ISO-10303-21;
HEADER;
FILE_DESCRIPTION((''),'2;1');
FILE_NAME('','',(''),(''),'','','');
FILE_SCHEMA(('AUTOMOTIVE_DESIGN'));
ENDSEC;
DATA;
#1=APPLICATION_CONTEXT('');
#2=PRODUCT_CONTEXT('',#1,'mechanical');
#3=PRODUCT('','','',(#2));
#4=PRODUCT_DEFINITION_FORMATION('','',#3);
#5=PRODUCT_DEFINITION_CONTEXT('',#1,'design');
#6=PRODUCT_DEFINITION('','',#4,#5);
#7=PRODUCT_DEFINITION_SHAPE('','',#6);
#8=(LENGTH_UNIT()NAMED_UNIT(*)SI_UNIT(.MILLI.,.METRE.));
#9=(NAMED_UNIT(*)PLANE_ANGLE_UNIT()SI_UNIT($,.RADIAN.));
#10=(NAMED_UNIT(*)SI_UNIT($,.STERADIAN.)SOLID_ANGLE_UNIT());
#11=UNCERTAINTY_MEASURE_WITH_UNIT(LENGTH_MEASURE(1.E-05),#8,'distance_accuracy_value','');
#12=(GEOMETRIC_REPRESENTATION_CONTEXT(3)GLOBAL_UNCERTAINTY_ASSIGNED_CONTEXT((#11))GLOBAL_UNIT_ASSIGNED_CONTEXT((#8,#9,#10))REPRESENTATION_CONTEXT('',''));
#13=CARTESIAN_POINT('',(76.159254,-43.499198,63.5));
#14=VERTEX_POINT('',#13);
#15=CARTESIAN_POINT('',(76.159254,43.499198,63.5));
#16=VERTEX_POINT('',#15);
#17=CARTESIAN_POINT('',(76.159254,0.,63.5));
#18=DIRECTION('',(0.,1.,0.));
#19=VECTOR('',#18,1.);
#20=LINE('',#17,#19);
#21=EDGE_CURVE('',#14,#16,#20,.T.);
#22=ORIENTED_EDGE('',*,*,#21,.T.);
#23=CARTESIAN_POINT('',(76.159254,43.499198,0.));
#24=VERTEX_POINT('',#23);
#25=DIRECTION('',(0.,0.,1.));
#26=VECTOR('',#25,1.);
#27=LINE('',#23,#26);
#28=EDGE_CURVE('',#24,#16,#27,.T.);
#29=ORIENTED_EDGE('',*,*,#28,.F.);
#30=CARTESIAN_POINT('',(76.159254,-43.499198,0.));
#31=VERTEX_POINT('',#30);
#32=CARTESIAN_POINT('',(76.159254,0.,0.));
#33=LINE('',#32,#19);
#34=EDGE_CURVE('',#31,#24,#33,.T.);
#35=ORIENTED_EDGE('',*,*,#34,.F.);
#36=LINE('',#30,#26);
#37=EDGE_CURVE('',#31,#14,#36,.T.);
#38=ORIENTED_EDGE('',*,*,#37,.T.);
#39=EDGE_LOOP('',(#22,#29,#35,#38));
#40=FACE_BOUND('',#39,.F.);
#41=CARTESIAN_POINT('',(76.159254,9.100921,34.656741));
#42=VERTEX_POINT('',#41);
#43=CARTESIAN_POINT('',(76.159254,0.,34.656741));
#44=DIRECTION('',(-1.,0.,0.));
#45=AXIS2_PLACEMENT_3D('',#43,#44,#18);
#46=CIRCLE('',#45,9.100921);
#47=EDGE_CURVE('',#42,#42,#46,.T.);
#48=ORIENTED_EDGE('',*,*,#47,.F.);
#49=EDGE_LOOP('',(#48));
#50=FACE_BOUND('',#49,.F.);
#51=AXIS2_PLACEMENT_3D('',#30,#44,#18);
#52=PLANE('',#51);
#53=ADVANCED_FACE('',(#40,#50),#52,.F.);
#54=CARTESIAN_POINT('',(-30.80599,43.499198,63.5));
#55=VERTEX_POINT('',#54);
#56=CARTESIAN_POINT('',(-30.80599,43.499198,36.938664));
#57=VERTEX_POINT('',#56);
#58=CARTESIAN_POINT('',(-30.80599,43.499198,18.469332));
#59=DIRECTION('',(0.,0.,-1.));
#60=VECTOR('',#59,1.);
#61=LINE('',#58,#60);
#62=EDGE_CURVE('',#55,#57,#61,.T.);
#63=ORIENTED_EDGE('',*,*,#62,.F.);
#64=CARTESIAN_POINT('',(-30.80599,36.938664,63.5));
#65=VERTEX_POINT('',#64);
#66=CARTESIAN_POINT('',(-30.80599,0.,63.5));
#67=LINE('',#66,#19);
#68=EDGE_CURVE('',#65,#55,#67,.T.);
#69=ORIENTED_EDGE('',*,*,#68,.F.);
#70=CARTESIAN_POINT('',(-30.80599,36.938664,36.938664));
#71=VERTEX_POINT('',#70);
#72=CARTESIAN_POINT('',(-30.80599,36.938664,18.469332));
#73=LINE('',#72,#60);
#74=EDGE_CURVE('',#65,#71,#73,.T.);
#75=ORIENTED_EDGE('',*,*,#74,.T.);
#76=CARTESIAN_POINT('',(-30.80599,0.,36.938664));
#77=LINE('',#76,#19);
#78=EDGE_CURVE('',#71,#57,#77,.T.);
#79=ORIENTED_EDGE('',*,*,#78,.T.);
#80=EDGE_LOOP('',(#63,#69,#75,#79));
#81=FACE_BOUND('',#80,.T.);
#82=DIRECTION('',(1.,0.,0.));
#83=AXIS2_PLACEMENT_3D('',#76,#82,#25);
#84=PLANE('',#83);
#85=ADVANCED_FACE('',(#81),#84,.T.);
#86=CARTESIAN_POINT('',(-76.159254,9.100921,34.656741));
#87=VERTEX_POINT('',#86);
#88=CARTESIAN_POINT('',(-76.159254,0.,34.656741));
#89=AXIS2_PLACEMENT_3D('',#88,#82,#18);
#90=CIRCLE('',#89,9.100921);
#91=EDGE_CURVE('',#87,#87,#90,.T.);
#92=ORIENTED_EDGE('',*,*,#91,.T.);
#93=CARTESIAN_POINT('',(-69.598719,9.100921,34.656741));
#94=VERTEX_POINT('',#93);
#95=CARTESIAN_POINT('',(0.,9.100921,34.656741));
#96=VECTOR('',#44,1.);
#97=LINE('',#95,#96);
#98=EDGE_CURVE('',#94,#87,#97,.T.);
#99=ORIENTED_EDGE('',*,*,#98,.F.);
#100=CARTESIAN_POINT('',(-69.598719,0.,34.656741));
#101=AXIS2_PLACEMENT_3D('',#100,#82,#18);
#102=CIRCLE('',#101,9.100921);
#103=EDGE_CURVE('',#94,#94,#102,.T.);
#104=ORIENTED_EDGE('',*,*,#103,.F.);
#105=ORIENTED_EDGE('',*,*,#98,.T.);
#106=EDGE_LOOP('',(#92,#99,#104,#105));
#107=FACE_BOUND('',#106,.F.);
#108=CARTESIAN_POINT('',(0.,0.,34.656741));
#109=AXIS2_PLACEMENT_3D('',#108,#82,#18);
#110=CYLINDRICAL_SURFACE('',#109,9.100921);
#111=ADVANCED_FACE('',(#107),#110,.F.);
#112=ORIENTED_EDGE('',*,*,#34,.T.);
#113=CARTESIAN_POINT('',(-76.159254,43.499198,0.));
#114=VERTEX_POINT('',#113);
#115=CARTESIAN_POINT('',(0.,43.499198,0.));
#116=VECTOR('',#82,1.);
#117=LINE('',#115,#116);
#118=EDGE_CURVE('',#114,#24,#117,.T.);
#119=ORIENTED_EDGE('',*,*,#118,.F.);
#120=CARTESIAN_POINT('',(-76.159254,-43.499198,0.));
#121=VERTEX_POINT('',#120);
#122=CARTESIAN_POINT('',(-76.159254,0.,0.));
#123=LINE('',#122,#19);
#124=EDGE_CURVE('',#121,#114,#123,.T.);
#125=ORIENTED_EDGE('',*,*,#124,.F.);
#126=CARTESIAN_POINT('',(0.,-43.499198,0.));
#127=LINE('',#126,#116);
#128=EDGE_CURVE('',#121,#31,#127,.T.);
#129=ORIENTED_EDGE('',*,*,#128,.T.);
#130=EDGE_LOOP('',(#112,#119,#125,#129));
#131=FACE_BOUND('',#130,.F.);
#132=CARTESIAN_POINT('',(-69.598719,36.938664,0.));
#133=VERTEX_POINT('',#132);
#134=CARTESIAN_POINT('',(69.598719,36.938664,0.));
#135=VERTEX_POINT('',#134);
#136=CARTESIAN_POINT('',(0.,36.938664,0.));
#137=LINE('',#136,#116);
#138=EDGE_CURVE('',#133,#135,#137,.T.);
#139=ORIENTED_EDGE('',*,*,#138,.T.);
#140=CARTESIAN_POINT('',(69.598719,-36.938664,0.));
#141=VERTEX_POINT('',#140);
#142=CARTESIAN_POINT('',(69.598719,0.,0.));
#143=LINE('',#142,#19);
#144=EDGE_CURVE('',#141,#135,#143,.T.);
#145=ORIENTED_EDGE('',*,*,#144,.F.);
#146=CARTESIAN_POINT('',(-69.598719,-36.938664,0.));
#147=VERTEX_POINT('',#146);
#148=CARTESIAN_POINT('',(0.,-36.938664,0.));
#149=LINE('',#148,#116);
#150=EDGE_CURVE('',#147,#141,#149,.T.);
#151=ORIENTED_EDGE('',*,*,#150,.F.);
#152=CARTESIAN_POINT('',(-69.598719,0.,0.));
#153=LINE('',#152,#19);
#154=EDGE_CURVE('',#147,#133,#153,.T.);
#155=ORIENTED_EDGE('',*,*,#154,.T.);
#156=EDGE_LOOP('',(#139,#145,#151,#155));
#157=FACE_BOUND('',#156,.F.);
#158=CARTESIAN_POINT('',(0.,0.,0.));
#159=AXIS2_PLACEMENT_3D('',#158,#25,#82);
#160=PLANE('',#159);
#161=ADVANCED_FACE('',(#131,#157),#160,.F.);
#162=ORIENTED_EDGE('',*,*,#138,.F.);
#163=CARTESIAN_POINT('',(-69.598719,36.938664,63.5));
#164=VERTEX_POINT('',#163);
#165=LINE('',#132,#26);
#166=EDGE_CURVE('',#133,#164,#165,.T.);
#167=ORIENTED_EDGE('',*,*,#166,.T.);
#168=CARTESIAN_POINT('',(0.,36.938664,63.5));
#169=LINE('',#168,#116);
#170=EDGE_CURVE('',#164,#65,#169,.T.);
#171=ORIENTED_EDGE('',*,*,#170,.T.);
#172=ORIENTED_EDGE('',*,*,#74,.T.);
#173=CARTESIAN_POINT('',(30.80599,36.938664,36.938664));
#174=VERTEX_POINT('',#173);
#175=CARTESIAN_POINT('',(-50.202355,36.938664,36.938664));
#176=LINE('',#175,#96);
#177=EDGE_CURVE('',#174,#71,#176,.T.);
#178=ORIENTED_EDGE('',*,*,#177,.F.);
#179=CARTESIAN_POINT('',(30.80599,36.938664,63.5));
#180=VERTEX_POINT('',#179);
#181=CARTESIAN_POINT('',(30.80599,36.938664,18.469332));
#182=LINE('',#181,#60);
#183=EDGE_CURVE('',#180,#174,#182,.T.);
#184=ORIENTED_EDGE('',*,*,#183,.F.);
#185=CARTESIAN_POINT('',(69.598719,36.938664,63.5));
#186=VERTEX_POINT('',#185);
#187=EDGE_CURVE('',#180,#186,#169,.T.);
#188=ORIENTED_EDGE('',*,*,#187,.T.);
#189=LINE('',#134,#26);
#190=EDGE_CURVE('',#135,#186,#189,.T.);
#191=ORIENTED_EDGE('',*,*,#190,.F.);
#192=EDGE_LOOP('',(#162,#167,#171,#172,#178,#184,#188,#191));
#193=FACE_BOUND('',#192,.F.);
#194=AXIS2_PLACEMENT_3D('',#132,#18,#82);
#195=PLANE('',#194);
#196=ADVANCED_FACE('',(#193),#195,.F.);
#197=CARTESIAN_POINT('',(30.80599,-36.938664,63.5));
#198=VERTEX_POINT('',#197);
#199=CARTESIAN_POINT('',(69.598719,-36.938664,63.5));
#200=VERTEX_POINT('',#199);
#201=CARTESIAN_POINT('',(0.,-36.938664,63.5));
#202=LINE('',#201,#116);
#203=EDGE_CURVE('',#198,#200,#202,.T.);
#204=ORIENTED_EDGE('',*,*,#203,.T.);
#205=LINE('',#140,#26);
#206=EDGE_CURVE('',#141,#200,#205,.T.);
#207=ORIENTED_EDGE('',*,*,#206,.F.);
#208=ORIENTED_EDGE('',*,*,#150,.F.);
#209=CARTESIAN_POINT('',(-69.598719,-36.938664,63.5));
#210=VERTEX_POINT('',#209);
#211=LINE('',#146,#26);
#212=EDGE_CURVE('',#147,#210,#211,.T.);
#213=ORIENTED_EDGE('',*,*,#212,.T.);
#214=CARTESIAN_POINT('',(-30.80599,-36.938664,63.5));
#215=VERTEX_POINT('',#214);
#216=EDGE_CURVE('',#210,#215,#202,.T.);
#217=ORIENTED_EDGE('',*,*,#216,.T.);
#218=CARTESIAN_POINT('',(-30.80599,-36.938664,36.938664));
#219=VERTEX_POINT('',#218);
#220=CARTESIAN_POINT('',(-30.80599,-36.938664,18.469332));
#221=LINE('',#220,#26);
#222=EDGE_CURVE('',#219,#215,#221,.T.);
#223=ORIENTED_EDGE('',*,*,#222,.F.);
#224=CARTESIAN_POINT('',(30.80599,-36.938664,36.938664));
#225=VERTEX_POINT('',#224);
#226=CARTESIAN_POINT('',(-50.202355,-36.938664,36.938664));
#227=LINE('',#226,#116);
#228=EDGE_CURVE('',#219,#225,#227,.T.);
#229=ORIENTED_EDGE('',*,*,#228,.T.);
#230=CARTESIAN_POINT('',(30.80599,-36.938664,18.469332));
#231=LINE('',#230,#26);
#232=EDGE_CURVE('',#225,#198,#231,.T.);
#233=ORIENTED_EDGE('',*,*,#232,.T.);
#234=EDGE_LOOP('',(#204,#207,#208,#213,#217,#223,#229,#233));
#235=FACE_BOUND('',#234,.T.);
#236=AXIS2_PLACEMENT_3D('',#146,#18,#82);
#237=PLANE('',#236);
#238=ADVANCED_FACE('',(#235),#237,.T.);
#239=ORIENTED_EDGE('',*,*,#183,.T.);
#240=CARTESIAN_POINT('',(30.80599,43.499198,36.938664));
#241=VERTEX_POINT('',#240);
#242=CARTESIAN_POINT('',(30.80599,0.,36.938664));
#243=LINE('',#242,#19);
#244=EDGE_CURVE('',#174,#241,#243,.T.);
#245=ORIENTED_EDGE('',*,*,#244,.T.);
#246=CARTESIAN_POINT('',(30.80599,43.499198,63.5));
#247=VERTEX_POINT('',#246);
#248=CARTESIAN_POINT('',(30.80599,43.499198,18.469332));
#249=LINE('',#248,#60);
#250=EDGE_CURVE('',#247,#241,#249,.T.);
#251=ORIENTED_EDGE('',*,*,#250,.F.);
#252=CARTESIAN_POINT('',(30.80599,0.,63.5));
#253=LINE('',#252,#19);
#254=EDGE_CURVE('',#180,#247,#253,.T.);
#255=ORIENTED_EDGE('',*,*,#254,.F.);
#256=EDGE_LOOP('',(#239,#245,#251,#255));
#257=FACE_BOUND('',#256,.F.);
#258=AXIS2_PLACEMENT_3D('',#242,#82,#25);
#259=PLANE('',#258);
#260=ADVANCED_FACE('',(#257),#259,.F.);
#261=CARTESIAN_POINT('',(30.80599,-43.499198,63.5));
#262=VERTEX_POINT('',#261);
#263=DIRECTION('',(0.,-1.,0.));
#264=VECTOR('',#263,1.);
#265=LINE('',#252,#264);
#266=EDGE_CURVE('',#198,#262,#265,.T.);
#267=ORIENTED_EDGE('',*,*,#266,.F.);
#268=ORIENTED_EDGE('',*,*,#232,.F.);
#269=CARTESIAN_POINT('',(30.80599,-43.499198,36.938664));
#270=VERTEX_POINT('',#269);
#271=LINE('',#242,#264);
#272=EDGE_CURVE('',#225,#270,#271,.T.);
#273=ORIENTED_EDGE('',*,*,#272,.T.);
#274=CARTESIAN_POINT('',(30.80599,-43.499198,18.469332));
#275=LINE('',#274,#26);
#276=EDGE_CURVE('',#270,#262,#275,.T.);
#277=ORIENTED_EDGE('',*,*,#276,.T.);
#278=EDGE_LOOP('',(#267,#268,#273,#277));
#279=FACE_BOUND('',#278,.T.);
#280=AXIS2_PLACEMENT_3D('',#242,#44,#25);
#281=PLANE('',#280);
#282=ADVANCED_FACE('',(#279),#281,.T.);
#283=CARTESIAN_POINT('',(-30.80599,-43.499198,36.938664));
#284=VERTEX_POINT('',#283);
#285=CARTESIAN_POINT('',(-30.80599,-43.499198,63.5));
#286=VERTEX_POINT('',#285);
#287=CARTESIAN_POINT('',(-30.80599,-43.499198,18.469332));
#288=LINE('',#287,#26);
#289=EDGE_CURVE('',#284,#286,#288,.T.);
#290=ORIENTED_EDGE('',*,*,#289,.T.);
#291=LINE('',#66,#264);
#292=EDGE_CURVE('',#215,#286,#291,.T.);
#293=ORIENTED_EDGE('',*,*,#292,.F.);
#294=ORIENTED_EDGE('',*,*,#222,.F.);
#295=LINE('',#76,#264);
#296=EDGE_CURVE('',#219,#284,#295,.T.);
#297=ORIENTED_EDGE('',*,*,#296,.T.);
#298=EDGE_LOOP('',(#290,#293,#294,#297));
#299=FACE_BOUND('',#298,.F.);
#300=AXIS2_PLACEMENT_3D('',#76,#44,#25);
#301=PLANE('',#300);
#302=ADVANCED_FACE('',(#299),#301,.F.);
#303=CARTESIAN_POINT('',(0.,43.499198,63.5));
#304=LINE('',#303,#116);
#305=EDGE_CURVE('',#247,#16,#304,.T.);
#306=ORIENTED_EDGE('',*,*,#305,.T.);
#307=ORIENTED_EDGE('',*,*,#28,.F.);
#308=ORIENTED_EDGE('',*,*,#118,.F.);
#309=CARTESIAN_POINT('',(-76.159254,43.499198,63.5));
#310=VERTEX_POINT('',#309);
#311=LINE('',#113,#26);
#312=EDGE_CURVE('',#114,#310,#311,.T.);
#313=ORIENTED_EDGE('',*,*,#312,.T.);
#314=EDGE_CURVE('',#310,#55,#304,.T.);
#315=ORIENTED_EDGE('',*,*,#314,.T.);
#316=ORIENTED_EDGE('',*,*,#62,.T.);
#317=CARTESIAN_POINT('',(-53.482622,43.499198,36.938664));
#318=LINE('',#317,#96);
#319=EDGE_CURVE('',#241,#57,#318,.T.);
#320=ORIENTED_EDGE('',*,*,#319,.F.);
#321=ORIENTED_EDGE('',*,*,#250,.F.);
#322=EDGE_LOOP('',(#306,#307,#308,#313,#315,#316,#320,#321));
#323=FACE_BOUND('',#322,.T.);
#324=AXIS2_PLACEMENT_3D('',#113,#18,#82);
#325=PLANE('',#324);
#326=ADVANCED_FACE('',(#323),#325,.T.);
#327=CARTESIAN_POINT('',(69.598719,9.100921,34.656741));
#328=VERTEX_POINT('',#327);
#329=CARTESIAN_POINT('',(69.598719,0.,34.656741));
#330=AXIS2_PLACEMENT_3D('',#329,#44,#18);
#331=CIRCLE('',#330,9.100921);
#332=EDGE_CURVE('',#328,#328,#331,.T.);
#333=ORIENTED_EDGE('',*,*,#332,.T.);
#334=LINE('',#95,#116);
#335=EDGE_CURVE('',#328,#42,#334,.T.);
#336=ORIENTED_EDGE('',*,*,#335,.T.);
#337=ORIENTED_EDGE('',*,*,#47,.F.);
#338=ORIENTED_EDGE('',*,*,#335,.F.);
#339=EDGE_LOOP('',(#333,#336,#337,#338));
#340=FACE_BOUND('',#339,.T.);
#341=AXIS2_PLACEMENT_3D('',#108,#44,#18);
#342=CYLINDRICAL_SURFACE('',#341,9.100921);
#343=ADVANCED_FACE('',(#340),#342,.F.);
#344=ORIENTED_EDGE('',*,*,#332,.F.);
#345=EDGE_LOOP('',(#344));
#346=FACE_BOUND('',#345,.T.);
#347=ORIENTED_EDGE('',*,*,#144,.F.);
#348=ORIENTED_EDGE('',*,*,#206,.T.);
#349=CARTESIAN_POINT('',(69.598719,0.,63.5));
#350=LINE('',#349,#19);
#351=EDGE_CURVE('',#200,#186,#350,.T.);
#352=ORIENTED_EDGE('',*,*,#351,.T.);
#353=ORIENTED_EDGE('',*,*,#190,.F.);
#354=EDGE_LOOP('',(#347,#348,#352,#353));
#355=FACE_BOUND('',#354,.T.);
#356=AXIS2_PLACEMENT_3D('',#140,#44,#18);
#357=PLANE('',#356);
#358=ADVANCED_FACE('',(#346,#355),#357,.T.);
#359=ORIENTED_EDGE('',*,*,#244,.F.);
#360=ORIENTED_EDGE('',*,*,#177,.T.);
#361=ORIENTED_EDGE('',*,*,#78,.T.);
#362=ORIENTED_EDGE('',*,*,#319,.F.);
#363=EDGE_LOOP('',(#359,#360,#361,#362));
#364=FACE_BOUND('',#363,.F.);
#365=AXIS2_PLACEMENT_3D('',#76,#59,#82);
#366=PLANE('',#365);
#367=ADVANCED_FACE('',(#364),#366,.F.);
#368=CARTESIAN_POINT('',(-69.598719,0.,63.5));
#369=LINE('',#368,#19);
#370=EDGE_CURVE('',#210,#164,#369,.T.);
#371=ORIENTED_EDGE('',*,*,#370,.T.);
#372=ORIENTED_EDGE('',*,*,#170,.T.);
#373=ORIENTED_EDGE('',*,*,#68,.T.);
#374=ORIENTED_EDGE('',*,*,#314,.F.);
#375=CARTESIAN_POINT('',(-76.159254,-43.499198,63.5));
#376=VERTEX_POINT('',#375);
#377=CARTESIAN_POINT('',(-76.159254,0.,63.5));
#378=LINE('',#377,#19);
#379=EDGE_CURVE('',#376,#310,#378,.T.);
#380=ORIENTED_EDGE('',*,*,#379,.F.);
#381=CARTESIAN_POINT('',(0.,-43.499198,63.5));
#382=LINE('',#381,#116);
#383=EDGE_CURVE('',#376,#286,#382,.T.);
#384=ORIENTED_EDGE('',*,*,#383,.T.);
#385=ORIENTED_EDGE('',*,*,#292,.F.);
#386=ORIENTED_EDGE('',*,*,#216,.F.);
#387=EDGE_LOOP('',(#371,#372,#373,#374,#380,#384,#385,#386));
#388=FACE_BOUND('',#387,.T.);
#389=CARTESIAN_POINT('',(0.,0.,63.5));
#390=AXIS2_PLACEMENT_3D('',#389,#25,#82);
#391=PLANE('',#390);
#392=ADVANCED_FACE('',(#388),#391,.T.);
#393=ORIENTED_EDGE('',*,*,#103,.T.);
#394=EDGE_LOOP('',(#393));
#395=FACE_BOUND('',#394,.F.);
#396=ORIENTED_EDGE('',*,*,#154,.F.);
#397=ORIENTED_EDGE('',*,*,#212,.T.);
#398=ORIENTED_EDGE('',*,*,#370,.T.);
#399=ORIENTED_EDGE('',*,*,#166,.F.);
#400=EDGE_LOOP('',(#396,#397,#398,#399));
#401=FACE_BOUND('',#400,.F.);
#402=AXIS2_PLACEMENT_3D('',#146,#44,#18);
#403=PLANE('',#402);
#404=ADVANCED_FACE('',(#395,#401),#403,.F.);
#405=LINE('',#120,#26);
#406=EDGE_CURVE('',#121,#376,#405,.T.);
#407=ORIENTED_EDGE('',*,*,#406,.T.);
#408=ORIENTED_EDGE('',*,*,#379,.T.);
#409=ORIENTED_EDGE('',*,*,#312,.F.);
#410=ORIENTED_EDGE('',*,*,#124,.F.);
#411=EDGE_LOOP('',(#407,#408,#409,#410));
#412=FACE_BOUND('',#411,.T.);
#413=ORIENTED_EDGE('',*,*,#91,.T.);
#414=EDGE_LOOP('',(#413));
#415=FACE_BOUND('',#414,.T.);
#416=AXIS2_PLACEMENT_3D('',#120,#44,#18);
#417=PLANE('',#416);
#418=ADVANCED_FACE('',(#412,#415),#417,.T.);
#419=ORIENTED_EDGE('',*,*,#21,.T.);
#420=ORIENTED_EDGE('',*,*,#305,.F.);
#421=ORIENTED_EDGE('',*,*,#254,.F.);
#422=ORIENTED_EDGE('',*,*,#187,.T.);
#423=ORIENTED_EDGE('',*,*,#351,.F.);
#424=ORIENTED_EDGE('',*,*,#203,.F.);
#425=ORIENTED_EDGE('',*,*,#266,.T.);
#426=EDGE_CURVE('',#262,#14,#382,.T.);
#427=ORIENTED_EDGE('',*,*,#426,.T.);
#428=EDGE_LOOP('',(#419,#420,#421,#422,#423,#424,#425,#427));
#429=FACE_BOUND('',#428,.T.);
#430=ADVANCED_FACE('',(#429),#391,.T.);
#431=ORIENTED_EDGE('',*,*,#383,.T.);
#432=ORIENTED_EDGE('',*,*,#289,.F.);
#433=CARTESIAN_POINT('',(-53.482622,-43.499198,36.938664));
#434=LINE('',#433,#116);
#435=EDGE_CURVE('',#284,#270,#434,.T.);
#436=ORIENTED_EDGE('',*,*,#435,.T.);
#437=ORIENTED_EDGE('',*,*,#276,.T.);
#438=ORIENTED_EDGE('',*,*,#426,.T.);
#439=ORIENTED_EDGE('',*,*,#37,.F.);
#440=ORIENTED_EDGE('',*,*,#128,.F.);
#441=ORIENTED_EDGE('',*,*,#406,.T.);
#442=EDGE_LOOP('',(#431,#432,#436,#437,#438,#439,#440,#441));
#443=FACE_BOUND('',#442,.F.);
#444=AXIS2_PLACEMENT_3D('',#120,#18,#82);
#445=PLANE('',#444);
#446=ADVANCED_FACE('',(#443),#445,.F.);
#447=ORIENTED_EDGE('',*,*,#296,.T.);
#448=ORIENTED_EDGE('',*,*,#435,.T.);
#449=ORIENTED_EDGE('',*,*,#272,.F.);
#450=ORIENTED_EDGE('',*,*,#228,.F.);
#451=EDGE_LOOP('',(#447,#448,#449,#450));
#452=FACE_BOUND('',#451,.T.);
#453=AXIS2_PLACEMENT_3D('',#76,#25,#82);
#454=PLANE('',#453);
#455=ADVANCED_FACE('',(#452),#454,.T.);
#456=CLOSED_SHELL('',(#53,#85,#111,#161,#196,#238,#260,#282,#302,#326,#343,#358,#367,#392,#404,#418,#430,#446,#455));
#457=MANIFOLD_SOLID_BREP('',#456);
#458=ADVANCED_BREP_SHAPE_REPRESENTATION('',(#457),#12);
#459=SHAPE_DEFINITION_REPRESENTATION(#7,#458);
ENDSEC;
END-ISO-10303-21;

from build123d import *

# Parameters (mm, degrees)
F0_W          = 152.3185074329
F0_H          = 86.9983956218
F0_W_2        = 139.1974389553
F0_H_2        = 73.8773271441
F1_DEPTH      = 63.5
F2_W          = 61.6119801998
F2_H          = 38.222245872
F3_DEPTH      = 50.8
F3_DEPTH_BACK = 50.8
F4_R          = 9.10092064
F5_DEPTH      = 101.6
F5_DEPTH_BACK = 101.6


with BuildPart() as f1:
    # F0 (on Top) → F1 (new body)
    with BuildSketch(Plane.XY):
        Rectangle(F0_W, F0_H)
        Rectangle(F0_W_2, F0_H_2, mode=Mode.SUBTRACT)
    extrude(amount=F1_DEPTH)

    # F2 (on Front) → F3 (cut, two sides)
    with BuildSketch(Plane.XZ) as f3_sk:
        with Locations((0, 56.0497865081)):
            Rectangle(F2_W, F2_H)
    extrude(amount=F3_DEPTH, mode=Mode.SUBTRACT)
    extrude(f3_sk.sketch, amount=-F3_DEPTH_BACK, mode=Mode.SUBTRACT)

    # F4 (on Right) → F5 (cut, two sides)
    with BuildSketch(Plane.YZ) as f5_sk:
        with Locations((0, 34.656740725)):
            Circle(F4_R)
    extrude(amount=-F5_DEPTH, mode=Mode.SUBTRACT)
    extrude(f5_sk.sketch, amount=F5_DEPTH_BACK, mode=Mode.SUBTRACT)


solid = f1.part
